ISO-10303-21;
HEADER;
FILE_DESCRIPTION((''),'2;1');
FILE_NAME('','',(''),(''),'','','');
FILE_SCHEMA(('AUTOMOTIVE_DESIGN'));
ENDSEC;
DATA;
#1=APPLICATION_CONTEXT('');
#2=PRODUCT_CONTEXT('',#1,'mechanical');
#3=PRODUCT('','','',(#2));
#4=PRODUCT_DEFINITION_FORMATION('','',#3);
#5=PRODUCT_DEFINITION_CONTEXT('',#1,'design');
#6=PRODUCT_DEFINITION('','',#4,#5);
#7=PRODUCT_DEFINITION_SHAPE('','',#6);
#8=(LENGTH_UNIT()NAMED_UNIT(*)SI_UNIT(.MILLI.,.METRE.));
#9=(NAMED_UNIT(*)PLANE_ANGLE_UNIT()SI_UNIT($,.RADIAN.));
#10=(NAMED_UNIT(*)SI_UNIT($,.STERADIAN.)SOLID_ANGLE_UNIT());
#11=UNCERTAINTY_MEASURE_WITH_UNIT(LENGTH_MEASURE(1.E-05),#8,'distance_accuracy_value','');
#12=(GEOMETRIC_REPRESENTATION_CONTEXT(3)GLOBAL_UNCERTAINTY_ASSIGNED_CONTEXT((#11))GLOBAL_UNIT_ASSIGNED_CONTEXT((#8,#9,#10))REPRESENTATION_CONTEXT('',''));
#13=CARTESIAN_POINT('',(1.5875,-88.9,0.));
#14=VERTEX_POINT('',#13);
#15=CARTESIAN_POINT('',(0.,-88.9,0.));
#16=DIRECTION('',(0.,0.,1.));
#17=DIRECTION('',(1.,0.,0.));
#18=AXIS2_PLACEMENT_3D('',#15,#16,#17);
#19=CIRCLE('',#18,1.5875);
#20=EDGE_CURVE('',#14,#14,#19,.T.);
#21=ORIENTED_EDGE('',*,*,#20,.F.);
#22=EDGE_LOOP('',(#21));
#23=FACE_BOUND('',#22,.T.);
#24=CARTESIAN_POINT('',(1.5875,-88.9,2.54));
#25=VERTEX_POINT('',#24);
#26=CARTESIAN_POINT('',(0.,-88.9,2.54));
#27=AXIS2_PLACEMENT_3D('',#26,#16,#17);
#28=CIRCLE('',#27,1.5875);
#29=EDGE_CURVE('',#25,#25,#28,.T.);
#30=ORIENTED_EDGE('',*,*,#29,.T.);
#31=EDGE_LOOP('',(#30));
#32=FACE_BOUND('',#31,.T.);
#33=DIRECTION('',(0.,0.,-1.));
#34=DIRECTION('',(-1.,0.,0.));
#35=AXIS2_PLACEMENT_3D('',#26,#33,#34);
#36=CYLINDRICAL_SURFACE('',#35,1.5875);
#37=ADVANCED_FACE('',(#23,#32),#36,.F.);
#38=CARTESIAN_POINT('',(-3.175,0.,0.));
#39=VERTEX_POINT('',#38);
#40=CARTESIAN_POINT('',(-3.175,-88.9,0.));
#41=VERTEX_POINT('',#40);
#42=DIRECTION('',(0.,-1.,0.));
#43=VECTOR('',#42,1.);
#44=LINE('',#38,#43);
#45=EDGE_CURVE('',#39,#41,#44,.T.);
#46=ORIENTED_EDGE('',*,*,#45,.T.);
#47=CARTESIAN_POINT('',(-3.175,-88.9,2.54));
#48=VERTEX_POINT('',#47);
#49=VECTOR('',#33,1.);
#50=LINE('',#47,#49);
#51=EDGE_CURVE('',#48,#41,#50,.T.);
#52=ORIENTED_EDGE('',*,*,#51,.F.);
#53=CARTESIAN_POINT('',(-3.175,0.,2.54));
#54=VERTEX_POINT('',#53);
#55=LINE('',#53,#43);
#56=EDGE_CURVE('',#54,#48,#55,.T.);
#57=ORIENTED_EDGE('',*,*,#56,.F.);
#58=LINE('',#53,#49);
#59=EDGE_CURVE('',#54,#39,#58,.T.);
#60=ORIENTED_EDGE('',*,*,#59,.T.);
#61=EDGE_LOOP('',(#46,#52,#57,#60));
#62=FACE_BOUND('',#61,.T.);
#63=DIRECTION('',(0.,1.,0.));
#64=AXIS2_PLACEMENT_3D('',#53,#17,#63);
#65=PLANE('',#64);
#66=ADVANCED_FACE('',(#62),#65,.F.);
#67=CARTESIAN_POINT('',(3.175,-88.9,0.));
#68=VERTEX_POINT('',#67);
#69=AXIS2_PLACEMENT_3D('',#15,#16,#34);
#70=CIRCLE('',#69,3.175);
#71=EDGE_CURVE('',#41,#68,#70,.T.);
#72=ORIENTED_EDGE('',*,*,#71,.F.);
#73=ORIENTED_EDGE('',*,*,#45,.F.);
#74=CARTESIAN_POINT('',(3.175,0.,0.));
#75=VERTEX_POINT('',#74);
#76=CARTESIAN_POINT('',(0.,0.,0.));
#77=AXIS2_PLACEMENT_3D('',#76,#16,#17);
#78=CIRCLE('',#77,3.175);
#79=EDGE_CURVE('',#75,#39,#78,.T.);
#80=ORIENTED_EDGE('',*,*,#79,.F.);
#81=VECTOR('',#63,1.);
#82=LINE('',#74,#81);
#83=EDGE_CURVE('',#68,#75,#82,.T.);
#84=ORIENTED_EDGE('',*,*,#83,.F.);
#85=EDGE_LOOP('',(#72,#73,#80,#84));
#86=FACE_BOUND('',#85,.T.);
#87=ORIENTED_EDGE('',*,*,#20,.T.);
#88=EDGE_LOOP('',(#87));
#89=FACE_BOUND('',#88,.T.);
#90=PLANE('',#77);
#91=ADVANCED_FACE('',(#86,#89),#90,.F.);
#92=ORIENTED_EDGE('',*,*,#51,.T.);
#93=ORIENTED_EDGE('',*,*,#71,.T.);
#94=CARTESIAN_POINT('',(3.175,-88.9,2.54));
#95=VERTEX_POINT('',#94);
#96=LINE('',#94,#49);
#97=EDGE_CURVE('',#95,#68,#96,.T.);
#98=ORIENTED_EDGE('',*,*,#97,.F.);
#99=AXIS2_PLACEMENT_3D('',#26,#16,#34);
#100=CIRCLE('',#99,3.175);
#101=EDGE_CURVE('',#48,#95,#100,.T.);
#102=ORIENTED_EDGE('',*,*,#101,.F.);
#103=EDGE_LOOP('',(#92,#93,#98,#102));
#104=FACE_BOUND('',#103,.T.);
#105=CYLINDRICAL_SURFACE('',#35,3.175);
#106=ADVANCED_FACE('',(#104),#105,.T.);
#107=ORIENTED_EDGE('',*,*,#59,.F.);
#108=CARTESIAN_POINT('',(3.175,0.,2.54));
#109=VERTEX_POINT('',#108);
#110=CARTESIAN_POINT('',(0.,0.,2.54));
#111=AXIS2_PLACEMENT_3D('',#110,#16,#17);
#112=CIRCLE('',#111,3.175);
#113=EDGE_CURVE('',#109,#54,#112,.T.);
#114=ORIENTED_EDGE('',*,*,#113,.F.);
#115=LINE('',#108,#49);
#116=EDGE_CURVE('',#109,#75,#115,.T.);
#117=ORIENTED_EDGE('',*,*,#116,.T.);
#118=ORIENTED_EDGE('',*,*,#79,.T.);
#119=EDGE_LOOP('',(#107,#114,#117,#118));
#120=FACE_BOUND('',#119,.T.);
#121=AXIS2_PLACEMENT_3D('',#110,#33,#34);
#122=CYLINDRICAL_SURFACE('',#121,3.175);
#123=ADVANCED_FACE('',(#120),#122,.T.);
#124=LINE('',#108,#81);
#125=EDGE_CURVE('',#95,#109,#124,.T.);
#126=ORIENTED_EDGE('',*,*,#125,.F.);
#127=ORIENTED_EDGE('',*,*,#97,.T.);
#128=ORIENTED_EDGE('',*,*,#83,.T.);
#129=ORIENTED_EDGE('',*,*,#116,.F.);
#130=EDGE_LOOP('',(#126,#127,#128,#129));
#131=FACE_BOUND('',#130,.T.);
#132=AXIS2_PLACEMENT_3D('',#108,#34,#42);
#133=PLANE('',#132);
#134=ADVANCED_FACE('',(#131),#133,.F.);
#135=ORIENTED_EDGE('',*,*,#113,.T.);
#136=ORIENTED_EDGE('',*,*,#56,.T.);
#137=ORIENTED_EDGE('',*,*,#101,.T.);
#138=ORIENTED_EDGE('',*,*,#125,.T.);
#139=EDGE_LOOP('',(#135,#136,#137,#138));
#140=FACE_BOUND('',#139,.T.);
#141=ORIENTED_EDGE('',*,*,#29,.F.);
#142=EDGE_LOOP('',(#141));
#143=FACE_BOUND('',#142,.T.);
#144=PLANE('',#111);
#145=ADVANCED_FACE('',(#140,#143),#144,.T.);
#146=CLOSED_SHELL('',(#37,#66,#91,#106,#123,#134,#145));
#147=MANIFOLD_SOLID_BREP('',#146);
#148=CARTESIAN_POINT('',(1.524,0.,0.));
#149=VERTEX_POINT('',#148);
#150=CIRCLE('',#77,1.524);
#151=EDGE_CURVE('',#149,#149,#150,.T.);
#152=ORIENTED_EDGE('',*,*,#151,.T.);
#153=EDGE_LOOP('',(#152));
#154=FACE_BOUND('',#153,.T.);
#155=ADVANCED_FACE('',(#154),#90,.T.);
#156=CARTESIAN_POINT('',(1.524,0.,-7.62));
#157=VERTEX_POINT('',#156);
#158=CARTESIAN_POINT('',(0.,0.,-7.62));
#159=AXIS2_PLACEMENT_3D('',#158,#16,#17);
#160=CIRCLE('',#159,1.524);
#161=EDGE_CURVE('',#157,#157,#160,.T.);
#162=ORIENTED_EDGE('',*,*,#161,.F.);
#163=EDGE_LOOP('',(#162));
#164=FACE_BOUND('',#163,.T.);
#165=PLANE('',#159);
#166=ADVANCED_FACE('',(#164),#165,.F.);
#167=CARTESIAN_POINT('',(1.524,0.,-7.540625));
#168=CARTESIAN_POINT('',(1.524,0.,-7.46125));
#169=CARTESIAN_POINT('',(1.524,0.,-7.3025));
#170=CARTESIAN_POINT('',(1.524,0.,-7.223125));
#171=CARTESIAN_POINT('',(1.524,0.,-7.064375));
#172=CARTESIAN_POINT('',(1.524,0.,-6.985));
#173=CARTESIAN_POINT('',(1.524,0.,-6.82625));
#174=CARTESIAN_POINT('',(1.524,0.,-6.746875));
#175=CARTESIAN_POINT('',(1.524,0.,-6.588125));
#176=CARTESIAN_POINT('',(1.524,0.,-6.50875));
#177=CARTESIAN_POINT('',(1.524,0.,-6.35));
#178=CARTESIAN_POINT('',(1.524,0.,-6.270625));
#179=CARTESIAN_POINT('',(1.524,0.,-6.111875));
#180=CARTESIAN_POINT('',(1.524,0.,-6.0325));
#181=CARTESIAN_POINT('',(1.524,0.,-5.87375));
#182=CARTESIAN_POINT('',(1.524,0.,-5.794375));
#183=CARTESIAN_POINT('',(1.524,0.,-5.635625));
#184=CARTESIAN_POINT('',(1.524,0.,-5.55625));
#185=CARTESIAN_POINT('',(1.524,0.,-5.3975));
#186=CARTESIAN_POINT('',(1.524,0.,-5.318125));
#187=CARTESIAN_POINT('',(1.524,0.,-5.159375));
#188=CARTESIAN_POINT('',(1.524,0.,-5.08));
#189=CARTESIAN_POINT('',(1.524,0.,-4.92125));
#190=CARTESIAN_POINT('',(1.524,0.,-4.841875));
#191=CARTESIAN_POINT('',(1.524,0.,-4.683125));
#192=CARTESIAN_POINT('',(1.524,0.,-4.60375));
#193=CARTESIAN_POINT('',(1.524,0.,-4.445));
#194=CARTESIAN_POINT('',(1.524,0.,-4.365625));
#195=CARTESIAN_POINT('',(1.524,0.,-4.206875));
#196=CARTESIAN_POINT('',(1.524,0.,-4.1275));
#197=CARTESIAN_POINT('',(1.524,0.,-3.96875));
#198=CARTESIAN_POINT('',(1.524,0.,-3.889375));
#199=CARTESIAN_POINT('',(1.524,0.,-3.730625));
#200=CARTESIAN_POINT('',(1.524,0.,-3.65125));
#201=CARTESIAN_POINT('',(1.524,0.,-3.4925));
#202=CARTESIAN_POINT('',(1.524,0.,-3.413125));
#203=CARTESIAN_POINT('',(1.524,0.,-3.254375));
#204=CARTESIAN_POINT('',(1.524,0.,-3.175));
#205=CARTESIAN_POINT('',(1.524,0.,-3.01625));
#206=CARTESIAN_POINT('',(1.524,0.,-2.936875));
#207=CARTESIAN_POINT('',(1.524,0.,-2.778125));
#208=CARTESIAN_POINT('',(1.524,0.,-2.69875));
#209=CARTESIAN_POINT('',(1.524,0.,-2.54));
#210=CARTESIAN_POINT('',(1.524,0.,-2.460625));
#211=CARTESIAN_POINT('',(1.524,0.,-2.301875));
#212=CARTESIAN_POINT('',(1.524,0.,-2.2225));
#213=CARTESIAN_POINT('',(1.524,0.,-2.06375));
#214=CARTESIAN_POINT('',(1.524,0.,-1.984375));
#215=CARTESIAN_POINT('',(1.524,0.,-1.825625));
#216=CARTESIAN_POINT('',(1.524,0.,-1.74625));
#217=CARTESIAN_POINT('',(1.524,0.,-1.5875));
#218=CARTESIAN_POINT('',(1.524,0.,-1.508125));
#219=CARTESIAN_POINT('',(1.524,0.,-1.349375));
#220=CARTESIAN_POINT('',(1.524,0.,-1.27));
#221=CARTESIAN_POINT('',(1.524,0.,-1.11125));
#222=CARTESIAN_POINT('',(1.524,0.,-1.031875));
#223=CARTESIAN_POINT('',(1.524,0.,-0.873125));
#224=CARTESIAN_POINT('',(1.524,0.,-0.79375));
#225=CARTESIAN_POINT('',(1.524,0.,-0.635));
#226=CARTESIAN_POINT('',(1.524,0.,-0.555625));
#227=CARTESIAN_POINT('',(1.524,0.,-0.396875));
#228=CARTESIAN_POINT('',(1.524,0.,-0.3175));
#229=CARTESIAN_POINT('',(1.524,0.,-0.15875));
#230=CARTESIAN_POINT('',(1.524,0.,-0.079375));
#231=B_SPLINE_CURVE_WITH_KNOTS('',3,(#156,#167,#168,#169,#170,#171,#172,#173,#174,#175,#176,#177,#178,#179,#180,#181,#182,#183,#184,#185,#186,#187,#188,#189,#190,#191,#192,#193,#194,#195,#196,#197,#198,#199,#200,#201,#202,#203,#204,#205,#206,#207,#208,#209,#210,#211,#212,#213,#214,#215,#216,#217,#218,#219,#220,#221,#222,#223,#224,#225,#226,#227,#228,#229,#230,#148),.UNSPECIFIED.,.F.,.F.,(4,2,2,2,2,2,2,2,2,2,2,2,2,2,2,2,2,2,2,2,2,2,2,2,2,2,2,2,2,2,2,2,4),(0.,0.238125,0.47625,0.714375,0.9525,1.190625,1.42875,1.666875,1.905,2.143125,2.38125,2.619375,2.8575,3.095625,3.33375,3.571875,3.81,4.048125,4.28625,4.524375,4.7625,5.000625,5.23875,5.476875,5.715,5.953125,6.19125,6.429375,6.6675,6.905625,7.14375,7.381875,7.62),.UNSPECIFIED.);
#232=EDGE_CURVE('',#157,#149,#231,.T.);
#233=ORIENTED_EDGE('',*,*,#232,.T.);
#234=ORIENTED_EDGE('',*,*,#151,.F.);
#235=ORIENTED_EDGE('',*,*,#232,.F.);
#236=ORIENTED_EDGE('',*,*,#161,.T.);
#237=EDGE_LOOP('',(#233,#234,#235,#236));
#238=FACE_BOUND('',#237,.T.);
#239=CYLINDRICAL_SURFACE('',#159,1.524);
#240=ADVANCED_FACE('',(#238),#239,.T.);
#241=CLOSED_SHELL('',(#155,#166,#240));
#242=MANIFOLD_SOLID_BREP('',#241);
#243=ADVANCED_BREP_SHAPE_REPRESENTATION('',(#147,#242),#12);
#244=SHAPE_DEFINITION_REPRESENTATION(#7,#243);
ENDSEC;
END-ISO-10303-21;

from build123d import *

# Parameters (mm, degrees)
SKETCH1_R           = 1.5875
BOSS_EXTRUDE1_DEPTH = 2.54
BOSS_EXTRUDE2_START = -2.54
SKETCH2_R           = 1.524
BOSS_EXTRUDE2_DEPTH = 7.62
SKETCH3_R           = 1.5875
BOSS_EXTRUDE3_DEPTH = 2.54


with BuildPart() as part:
    # Sketch1 → Boss-Extrude1 (new body)
    with BuildSketch(Plane.XY):
        with BuildLine():
            Line((-3.175, 0), (-3.175, -88.9))
            ThreePointArc((-3.175, -88.9), (0, -92.075), (3.175, -88.9))
            Line((3.175, -88.9), (3.175, 0))
            ThreePointArc((3.175, 0), (0, 3.175), (-3.175, 0))
        make_face()
        Circle(SKETCH1_R, mode=Mode.SUBTRACT)
        with Locations((0, -88.9)):
            Circle(SKETCH1_R, mode=Mode.SUBTRACT)
    extrude(amount=BOSS_EXTRUDE1_DEPTH)

    # Sketch3 → Boss-Extrude3 (add)
    with BuildSketch(Plane.XY):
        Circle(SKETCH3_R)
    extrude(amount=BOSS_EXTRUDE3_DEPTH)


with BuildPart() as body_2:
    # Sketch2 → Boss-Extrude2 (new body)
    with BuildSketch(Plane.XY.offset(2.54).offset(BOSS_EXTRUDE2_START)):
        Circle(SKETCH2_R)
    extrude(amount=-BOSS_EXTRUDE2_DEPTH)


solid = Compound([part.part, body_2.part])
